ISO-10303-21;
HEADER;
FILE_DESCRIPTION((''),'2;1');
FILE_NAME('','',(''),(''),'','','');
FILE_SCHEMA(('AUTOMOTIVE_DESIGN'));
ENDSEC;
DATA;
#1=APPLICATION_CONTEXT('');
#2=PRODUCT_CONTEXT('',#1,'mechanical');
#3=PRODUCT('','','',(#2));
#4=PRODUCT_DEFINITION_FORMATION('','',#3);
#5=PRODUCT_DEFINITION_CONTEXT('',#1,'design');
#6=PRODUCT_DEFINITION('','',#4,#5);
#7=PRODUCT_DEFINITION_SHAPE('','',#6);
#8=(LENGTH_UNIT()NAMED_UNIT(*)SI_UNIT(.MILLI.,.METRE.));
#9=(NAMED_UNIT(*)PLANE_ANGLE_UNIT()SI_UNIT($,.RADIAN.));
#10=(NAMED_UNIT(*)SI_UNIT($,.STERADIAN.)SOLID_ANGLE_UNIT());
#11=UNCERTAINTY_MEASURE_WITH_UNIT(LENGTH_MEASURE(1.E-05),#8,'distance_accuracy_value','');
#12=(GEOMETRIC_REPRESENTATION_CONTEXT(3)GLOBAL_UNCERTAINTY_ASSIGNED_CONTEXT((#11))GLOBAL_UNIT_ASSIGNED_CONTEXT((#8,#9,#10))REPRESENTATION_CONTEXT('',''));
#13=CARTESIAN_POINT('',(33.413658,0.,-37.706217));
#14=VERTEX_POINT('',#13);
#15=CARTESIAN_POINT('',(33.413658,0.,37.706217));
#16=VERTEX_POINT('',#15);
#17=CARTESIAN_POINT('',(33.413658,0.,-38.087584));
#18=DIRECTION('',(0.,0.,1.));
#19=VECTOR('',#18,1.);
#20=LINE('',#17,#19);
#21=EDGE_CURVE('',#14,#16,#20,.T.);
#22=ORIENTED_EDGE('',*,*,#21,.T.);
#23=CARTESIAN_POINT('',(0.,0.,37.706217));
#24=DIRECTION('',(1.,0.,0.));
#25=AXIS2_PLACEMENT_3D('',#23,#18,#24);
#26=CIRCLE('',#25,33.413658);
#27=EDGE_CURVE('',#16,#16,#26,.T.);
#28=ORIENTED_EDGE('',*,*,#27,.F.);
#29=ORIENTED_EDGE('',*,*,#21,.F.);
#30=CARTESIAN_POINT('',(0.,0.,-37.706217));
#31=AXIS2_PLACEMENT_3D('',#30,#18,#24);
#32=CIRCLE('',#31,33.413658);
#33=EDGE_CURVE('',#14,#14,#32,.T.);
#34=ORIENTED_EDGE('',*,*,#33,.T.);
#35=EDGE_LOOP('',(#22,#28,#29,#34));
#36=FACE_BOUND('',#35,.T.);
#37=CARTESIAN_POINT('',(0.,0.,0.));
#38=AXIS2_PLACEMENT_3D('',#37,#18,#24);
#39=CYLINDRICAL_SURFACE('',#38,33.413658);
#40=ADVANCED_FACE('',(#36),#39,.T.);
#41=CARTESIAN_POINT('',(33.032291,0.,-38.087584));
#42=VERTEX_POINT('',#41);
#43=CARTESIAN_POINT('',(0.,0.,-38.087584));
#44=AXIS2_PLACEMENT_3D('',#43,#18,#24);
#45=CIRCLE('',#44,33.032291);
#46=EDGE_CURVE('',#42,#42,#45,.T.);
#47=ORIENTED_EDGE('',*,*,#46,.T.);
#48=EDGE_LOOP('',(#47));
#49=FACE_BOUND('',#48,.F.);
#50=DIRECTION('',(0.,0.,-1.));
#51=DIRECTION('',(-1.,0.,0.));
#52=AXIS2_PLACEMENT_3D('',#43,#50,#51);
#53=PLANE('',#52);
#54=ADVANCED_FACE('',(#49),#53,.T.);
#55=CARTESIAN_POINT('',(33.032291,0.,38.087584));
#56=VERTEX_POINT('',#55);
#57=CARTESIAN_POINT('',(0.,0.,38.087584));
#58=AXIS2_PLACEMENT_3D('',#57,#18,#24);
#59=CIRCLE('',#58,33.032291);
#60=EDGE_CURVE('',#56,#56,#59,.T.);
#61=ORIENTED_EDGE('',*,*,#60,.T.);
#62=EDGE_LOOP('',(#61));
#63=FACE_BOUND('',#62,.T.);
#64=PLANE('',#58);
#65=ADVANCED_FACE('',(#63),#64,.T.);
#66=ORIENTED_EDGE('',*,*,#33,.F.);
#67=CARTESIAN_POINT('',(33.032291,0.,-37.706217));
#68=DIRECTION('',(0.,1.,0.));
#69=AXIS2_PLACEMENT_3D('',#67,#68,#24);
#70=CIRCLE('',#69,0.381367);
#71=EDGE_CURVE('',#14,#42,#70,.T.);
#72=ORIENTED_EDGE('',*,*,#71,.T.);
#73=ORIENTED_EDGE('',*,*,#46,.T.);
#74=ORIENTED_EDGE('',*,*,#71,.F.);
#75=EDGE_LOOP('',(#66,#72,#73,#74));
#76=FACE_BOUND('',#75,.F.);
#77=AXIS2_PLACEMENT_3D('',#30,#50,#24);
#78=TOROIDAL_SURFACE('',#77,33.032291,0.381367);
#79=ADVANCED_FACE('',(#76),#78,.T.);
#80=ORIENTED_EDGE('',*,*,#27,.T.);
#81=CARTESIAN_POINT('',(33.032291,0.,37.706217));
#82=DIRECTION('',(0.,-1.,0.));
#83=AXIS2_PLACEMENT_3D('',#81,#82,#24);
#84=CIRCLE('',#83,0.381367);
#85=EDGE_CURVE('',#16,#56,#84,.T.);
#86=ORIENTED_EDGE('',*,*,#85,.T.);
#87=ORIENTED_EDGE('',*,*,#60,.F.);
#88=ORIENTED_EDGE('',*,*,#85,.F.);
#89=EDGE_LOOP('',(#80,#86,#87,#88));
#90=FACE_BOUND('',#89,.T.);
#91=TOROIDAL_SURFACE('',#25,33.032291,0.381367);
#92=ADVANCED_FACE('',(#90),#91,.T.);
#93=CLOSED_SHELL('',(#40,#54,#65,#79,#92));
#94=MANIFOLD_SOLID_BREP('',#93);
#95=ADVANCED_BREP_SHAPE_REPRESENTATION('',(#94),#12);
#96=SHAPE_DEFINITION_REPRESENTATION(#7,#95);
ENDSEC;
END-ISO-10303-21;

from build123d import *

# Parameters (mm, degrees)
F0_R     = 33.4136580184
F1_DEPTH = 38.0875840783
F3_R     = 0.3813665803


with BuildPart() as f1:
    # F0 (on Top) → F1 (new body)
    with BuildSketch(Plane.XY):
        Circle(F0_R)
    extrude(amount=F1_DEPTH)

    # F2: F1 across plane


with BuildPart() as f1_1:
    add(f1.part)
    add(f1.part.mirror(Plane.XY))

    # F3
    f3_edges = [f1_1.edges().sort_by_distance(p)[0] for p in [
        (-33.413658, 0, -38.087584),
        (-33.413658, 0, 38.087584),
    ]]
    fillet(f3_edges, radius=F3_R)


solid = f1_1.part
